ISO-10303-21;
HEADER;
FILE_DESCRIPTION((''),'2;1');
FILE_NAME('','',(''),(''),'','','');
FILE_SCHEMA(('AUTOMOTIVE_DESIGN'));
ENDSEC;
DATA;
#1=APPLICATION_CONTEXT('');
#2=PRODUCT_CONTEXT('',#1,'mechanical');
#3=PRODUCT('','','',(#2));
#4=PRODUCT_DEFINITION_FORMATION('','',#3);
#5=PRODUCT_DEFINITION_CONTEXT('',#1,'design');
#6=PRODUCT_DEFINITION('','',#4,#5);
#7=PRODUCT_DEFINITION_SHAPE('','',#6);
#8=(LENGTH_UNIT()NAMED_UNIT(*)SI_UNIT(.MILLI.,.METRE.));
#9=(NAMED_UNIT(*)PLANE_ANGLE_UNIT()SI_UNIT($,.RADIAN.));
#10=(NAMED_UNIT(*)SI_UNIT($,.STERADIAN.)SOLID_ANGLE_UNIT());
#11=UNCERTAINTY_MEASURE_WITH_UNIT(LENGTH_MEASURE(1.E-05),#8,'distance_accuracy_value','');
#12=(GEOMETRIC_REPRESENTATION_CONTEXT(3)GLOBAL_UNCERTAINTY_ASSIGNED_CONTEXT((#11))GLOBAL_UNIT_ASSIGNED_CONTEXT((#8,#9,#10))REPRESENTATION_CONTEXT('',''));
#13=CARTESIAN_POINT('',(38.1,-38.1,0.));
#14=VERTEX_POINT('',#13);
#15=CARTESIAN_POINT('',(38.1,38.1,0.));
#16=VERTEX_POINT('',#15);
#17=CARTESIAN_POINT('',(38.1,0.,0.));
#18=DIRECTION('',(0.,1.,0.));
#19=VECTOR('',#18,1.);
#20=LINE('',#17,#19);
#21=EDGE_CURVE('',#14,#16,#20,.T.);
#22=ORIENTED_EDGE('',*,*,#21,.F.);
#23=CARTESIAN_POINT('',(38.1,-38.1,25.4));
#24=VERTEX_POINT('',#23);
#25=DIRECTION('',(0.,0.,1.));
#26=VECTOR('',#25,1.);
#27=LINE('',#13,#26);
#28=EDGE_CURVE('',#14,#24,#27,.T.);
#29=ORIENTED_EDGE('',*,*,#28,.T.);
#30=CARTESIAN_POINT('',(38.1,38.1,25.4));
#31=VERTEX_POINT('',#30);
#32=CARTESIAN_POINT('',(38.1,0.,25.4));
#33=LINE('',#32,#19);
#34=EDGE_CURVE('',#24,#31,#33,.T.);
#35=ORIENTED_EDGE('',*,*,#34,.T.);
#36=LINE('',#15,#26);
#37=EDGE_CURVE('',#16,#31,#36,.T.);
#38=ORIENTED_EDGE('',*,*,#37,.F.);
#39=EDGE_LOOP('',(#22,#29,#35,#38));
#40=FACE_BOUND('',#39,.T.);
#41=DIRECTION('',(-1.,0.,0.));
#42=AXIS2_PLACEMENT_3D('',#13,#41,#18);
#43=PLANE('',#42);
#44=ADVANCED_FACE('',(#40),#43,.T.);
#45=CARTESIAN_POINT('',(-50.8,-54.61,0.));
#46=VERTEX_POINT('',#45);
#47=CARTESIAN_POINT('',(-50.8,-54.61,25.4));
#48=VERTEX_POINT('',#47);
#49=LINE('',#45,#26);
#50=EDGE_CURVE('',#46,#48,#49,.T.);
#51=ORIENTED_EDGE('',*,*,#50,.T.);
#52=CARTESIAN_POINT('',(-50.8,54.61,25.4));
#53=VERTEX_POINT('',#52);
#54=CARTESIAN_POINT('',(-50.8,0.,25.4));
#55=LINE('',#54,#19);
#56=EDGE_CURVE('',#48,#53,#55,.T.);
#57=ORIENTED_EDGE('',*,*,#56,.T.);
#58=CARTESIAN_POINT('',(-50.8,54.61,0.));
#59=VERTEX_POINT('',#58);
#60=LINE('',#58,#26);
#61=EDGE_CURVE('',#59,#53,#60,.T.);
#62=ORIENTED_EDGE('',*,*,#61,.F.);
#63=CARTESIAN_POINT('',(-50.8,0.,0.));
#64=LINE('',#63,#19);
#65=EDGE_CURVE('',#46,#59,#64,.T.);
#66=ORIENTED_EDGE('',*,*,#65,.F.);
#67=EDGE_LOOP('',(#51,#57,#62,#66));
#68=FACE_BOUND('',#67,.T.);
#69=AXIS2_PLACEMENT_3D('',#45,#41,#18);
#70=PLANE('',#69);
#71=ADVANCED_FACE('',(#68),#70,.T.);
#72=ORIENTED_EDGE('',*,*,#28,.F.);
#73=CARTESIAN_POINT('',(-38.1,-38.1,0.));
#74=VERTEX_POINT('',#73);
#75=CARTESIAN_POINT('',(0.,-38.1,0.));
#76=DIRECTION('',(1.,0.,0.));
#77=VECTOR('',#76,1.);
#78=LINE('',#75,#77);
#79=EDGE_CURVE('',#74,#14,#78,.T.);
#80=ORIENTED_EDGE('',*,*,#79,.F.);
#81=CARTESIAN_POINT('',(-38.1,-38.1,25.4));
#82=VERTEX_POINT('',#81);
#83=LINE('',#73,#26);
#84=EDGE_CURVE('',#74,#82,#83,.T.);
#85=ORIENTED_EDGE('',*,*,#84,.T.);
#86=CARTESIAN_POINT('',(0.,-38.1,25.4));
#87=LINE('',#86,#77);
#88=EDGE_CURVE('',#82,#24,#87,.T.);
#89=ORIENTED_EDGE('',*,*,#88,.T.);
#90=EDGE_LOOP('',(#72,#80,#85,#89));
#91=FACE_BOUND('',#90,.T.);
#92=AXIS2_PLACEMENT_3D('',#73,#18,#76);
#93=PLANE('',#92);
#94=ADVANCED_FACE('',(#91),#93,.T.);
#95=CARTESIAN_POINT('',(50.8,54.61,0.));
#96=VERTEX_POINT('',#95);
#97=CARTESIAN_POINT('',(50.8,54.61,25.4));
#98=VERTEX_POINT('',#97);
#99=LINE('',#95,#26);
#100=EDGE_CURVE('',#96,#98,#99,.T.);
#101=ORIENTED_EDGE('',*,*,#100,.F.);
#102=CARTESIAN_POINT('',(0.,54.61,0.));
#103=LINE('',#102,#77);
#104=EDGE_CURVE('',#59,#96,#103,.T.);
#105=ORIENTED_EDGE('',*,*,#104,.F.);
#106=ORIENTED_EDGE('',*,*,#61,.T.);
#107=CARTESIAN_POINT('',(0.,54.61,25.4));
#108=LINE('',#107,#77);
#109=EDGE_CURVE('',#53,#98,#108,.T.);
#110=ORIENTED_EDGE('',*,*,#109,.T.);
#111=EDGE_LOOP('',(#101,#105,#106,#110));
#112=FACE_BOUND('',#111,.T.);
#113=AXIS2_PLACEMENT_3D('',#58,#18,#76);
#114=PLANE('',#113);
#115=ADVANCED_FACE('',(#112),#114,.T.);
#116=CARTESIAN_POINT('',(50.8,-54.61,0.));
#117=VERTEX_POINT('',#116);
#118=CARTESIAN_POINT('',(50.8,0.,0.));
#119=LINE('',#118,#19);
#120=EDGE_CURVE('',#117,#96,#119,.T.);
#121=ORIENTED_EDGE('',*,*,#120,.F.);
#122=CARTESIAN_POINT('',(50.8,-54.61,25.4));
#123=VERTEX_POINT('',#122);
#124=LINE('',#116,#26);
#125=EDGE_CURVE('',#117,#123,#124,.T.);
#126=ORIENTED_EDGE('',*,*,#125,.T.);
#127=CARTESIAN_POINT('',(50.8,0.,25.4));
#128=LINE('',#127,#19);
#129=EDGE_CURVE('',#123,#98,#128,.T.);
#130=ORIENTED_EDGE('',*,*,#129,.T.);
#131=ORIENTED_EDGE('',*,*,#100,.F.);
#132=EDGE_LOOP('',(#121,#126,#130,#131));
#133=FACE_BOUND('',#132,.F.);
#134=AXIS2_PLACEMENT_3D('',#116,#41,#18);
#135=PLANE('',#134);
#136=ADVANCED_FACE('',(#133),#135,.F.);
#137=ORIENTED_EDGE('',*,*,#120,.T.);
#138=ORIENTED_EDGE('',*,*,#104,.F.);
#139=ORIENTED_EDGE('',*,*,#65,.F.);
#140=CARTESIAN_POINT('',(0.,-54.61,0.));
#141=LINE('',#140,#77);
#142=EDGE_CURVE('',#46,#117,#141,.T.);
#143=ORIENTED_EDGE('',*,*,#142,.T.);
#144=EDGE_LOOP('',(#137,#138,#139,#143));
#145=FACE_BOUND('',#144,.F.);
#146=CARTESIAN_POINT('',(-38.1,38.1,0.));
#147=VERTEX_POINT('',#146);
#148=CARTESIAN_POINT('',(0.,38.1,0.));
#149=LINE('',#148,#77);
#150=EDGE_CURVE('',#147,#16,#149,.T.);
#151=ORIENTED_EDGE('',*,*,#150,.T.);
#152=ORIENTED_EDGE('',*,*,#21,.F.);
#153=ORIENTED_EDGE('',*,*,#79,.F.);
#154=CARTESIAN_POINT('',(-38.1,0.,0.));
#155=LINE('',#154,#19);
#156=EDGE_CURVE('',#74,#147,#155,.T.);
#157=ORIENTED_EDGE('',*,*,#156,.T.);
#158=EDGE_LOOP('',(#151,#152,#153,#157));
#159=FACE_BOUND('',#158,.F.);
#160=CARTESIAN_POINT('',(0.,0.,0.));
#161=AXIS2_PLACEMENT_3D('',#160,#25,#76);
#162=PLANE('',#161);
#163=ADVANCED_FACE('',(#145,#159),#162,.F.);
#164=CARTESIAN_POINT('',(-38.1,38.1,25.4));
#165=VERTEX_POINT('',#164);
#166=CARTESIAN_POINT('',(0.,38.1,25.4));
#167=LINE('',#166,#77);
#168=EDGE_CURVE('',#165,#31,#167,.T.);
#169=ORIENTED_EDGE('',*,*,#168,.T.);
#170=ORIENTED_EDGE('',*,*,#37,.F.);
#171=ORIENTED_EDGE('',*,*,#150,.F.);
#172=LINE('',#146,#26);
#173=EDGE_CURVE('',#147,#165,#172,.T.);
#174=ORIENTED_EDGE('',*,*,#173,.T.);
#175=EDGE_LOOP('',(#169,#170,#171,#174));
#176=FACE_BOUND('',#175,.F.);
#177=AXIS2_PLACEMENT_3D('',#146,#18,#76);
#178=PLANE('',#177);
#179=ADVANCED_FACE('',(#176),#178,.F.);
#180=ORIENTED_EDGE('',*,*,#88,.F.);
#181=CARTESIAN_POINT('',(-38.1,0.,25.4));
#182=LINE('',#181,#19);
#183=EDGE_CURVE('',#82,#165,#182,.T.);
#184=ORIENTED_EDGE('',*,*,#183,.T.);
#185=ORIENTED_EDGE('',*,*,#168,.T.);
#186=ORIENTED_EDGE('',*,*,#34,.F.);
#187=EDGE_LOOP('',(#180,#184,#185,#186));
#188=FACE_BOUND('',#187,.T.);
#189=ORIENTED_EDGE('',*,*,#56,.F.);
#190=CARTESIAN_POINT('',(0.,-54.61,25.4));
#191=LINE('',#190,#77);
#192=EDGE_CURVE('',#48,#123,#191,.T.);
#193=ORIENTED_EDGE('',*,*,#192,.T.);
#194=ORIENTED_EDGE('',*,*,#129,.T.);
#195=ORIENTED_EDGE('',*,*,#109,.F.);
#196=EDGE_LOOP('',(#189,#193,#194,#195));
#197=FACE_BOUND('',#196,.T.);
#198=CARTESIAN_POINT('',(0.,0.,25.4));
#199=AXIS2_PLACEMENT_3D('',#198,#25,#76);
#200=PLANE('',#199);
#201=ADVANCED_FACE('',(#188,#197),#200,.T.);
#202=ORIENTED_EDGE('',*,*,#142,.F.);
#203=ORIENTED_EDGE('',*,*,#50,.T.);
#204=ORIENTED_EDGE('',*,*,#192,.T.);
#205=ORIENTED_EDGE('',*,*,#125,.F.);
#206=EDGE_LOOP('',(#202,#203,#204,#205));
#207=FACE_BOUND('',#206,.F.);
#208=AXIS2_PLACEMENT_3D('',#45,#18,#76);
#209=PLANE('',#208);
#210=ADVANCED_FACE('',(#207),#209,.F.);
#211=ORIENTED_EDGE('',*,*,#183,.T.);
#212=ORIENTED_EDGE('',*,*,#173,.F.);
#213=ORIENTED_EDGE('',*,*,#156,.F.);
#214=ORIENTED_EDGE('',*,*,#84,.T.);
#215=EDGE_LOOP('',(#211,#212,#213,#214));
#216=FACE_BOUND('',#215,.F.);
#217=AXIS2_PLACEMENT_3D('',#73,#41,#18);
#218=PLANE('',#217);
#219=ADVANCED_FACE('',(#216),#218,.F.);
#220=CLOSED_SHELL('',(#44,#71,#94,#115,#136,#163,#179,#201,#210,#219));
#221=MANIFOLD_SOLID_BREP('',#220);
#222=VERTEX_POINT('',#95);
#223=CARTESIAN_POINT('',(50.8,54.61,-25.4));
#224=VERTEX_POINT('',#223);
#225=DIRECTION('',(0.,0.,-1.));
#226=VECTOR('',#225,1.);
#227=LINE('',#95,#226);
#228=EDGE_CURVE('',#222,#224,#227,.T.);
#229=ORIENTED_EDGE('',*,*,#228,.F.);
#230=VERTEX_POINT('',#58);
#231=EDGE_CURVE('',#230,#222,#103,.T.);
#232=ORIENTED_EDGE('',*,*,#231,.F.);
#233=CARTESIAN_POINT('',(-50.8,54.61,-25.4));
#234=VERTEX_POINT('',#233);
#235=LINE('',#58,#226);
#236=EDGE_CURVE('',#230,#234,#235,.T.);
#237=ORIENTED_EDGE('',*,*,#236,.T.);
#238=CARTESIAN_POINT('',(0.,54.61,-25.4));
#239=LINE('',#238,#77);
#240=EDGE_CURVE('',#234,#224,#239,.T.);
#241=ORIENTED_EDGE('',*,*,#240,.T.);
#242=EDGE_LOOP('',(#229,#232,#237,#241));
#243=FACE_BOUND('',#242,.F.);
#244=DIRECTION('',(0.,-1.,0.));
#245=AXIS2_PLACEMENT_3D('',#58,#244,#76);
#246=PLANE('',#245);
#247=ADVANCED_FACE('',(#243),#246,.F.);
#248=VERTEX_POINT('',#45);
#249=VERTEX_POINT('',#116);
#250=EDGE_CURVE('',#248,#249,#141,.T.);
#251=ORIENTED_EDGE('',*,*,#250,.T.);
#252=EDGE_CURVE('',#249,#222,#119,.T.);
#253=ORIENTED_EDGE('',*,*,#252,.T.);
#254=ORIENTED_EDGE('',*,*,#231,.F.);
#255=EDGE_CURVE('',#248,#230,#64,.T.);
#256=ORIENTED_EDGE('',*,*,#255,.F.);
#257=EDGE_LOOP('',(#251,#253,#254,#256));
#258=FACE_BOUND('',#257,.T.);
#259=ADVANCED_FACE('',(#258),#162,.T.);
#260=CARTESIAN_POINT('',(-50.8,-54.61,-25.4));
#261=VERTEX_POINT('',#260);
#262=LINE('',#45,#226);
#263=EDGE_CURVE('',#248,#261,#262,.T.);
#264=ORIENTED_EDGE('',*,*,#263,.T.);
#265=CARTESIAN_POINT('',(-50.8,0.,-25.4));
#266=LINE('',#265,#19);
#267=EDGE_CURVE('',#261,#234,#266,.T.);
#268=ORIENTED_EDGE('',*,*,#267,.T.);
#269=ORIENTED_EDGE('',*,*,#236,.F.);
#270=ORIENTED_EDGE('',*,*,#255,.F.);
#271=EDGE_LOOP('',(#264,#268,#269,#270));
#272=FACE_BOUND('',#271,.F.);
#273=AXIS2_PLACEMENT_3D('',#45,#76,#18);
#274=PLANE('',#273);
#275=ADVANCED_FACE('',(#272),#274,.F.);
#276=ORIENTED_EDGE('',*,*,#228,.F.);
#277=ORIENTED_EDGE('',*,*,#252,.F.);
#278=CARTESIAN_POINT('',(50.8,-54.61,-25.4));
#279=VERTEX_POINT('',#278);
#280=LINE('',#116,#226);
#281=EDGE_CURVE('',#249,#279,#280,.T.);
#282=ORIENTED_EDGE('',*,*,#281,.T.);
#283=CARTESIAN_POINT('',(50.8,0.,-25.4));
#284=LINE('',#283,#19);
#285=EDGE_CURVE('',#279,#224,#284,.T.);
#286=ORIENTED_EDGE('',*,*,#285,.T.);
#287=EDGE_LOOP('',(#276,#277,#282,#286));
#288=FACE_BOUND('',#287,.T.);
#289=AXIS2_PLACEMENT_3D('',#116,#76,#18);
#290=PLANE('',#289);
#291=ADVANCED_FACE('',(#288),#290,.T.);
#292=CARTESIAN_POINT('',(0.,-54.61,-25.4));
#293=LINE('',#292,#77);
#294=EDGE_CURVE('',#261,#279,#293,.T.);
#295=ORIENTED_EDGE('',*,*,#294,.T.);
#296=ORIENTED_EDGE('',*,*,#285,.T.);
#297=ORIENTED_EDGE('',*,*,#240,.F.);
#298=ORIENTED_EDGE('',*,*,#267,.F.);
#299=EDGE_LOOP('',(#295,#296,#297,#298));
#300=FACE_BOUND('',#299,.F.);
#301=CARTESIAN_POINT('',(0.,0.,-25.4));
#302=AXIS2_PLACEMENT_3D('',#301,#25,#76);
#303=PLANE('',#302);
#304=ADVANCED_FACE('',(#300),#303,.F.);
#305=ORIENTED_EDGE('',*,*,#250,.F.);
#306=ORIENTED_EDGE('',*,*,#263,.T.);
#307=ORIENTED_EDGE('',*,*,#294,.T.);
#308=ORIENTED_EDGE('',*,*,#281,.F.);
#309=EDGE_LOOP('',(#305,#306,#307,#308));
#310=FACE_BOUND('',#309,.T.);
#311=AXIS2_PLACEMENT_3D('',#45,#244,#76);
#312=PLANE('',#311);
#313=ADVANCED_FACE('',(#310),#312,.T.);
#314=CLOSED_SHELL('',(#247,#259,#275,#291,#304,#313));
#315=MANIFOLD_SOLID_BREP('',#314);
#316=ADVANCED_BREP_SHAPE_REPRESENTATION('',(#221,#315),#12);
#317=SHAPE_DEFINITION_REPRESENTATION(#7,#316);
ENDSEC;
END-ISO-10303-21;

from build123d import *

# Parameters (mm, degrees)
F0_W     = 101.6
F0_H     = 109.22
F0_W_2   = 76.2
F0_H_2   = 76.2
F1_DEPTH = 25.4
F2_DEPTH = 25.4


with BuildPart() as f1:
    # F0 (on Top) → F1 (new body)
    with BuildSketch(Plane.XY):
        Rectangle(F0_W, F0_H)
        Rectangle(F0_W_2, F0_H_2, mode=Mode.SUBTRACT)
    extrude(amount=F1_DEPTH)


with BuildPart() as f2:
    # F0 (on Top) → F2 (new body)
    with BuildSketch(Plane.XY):
        Rectangle(F0_W, F0_H)
        Rectangle(F0_W_2, F0_H_2, mode=Mode.SUBTRACT)
        Rectangle(F0_W_2, F0_H_2)
    extrude(amount=-F2_DEPTH)


solid = Compound([f1.part, f2.part])
